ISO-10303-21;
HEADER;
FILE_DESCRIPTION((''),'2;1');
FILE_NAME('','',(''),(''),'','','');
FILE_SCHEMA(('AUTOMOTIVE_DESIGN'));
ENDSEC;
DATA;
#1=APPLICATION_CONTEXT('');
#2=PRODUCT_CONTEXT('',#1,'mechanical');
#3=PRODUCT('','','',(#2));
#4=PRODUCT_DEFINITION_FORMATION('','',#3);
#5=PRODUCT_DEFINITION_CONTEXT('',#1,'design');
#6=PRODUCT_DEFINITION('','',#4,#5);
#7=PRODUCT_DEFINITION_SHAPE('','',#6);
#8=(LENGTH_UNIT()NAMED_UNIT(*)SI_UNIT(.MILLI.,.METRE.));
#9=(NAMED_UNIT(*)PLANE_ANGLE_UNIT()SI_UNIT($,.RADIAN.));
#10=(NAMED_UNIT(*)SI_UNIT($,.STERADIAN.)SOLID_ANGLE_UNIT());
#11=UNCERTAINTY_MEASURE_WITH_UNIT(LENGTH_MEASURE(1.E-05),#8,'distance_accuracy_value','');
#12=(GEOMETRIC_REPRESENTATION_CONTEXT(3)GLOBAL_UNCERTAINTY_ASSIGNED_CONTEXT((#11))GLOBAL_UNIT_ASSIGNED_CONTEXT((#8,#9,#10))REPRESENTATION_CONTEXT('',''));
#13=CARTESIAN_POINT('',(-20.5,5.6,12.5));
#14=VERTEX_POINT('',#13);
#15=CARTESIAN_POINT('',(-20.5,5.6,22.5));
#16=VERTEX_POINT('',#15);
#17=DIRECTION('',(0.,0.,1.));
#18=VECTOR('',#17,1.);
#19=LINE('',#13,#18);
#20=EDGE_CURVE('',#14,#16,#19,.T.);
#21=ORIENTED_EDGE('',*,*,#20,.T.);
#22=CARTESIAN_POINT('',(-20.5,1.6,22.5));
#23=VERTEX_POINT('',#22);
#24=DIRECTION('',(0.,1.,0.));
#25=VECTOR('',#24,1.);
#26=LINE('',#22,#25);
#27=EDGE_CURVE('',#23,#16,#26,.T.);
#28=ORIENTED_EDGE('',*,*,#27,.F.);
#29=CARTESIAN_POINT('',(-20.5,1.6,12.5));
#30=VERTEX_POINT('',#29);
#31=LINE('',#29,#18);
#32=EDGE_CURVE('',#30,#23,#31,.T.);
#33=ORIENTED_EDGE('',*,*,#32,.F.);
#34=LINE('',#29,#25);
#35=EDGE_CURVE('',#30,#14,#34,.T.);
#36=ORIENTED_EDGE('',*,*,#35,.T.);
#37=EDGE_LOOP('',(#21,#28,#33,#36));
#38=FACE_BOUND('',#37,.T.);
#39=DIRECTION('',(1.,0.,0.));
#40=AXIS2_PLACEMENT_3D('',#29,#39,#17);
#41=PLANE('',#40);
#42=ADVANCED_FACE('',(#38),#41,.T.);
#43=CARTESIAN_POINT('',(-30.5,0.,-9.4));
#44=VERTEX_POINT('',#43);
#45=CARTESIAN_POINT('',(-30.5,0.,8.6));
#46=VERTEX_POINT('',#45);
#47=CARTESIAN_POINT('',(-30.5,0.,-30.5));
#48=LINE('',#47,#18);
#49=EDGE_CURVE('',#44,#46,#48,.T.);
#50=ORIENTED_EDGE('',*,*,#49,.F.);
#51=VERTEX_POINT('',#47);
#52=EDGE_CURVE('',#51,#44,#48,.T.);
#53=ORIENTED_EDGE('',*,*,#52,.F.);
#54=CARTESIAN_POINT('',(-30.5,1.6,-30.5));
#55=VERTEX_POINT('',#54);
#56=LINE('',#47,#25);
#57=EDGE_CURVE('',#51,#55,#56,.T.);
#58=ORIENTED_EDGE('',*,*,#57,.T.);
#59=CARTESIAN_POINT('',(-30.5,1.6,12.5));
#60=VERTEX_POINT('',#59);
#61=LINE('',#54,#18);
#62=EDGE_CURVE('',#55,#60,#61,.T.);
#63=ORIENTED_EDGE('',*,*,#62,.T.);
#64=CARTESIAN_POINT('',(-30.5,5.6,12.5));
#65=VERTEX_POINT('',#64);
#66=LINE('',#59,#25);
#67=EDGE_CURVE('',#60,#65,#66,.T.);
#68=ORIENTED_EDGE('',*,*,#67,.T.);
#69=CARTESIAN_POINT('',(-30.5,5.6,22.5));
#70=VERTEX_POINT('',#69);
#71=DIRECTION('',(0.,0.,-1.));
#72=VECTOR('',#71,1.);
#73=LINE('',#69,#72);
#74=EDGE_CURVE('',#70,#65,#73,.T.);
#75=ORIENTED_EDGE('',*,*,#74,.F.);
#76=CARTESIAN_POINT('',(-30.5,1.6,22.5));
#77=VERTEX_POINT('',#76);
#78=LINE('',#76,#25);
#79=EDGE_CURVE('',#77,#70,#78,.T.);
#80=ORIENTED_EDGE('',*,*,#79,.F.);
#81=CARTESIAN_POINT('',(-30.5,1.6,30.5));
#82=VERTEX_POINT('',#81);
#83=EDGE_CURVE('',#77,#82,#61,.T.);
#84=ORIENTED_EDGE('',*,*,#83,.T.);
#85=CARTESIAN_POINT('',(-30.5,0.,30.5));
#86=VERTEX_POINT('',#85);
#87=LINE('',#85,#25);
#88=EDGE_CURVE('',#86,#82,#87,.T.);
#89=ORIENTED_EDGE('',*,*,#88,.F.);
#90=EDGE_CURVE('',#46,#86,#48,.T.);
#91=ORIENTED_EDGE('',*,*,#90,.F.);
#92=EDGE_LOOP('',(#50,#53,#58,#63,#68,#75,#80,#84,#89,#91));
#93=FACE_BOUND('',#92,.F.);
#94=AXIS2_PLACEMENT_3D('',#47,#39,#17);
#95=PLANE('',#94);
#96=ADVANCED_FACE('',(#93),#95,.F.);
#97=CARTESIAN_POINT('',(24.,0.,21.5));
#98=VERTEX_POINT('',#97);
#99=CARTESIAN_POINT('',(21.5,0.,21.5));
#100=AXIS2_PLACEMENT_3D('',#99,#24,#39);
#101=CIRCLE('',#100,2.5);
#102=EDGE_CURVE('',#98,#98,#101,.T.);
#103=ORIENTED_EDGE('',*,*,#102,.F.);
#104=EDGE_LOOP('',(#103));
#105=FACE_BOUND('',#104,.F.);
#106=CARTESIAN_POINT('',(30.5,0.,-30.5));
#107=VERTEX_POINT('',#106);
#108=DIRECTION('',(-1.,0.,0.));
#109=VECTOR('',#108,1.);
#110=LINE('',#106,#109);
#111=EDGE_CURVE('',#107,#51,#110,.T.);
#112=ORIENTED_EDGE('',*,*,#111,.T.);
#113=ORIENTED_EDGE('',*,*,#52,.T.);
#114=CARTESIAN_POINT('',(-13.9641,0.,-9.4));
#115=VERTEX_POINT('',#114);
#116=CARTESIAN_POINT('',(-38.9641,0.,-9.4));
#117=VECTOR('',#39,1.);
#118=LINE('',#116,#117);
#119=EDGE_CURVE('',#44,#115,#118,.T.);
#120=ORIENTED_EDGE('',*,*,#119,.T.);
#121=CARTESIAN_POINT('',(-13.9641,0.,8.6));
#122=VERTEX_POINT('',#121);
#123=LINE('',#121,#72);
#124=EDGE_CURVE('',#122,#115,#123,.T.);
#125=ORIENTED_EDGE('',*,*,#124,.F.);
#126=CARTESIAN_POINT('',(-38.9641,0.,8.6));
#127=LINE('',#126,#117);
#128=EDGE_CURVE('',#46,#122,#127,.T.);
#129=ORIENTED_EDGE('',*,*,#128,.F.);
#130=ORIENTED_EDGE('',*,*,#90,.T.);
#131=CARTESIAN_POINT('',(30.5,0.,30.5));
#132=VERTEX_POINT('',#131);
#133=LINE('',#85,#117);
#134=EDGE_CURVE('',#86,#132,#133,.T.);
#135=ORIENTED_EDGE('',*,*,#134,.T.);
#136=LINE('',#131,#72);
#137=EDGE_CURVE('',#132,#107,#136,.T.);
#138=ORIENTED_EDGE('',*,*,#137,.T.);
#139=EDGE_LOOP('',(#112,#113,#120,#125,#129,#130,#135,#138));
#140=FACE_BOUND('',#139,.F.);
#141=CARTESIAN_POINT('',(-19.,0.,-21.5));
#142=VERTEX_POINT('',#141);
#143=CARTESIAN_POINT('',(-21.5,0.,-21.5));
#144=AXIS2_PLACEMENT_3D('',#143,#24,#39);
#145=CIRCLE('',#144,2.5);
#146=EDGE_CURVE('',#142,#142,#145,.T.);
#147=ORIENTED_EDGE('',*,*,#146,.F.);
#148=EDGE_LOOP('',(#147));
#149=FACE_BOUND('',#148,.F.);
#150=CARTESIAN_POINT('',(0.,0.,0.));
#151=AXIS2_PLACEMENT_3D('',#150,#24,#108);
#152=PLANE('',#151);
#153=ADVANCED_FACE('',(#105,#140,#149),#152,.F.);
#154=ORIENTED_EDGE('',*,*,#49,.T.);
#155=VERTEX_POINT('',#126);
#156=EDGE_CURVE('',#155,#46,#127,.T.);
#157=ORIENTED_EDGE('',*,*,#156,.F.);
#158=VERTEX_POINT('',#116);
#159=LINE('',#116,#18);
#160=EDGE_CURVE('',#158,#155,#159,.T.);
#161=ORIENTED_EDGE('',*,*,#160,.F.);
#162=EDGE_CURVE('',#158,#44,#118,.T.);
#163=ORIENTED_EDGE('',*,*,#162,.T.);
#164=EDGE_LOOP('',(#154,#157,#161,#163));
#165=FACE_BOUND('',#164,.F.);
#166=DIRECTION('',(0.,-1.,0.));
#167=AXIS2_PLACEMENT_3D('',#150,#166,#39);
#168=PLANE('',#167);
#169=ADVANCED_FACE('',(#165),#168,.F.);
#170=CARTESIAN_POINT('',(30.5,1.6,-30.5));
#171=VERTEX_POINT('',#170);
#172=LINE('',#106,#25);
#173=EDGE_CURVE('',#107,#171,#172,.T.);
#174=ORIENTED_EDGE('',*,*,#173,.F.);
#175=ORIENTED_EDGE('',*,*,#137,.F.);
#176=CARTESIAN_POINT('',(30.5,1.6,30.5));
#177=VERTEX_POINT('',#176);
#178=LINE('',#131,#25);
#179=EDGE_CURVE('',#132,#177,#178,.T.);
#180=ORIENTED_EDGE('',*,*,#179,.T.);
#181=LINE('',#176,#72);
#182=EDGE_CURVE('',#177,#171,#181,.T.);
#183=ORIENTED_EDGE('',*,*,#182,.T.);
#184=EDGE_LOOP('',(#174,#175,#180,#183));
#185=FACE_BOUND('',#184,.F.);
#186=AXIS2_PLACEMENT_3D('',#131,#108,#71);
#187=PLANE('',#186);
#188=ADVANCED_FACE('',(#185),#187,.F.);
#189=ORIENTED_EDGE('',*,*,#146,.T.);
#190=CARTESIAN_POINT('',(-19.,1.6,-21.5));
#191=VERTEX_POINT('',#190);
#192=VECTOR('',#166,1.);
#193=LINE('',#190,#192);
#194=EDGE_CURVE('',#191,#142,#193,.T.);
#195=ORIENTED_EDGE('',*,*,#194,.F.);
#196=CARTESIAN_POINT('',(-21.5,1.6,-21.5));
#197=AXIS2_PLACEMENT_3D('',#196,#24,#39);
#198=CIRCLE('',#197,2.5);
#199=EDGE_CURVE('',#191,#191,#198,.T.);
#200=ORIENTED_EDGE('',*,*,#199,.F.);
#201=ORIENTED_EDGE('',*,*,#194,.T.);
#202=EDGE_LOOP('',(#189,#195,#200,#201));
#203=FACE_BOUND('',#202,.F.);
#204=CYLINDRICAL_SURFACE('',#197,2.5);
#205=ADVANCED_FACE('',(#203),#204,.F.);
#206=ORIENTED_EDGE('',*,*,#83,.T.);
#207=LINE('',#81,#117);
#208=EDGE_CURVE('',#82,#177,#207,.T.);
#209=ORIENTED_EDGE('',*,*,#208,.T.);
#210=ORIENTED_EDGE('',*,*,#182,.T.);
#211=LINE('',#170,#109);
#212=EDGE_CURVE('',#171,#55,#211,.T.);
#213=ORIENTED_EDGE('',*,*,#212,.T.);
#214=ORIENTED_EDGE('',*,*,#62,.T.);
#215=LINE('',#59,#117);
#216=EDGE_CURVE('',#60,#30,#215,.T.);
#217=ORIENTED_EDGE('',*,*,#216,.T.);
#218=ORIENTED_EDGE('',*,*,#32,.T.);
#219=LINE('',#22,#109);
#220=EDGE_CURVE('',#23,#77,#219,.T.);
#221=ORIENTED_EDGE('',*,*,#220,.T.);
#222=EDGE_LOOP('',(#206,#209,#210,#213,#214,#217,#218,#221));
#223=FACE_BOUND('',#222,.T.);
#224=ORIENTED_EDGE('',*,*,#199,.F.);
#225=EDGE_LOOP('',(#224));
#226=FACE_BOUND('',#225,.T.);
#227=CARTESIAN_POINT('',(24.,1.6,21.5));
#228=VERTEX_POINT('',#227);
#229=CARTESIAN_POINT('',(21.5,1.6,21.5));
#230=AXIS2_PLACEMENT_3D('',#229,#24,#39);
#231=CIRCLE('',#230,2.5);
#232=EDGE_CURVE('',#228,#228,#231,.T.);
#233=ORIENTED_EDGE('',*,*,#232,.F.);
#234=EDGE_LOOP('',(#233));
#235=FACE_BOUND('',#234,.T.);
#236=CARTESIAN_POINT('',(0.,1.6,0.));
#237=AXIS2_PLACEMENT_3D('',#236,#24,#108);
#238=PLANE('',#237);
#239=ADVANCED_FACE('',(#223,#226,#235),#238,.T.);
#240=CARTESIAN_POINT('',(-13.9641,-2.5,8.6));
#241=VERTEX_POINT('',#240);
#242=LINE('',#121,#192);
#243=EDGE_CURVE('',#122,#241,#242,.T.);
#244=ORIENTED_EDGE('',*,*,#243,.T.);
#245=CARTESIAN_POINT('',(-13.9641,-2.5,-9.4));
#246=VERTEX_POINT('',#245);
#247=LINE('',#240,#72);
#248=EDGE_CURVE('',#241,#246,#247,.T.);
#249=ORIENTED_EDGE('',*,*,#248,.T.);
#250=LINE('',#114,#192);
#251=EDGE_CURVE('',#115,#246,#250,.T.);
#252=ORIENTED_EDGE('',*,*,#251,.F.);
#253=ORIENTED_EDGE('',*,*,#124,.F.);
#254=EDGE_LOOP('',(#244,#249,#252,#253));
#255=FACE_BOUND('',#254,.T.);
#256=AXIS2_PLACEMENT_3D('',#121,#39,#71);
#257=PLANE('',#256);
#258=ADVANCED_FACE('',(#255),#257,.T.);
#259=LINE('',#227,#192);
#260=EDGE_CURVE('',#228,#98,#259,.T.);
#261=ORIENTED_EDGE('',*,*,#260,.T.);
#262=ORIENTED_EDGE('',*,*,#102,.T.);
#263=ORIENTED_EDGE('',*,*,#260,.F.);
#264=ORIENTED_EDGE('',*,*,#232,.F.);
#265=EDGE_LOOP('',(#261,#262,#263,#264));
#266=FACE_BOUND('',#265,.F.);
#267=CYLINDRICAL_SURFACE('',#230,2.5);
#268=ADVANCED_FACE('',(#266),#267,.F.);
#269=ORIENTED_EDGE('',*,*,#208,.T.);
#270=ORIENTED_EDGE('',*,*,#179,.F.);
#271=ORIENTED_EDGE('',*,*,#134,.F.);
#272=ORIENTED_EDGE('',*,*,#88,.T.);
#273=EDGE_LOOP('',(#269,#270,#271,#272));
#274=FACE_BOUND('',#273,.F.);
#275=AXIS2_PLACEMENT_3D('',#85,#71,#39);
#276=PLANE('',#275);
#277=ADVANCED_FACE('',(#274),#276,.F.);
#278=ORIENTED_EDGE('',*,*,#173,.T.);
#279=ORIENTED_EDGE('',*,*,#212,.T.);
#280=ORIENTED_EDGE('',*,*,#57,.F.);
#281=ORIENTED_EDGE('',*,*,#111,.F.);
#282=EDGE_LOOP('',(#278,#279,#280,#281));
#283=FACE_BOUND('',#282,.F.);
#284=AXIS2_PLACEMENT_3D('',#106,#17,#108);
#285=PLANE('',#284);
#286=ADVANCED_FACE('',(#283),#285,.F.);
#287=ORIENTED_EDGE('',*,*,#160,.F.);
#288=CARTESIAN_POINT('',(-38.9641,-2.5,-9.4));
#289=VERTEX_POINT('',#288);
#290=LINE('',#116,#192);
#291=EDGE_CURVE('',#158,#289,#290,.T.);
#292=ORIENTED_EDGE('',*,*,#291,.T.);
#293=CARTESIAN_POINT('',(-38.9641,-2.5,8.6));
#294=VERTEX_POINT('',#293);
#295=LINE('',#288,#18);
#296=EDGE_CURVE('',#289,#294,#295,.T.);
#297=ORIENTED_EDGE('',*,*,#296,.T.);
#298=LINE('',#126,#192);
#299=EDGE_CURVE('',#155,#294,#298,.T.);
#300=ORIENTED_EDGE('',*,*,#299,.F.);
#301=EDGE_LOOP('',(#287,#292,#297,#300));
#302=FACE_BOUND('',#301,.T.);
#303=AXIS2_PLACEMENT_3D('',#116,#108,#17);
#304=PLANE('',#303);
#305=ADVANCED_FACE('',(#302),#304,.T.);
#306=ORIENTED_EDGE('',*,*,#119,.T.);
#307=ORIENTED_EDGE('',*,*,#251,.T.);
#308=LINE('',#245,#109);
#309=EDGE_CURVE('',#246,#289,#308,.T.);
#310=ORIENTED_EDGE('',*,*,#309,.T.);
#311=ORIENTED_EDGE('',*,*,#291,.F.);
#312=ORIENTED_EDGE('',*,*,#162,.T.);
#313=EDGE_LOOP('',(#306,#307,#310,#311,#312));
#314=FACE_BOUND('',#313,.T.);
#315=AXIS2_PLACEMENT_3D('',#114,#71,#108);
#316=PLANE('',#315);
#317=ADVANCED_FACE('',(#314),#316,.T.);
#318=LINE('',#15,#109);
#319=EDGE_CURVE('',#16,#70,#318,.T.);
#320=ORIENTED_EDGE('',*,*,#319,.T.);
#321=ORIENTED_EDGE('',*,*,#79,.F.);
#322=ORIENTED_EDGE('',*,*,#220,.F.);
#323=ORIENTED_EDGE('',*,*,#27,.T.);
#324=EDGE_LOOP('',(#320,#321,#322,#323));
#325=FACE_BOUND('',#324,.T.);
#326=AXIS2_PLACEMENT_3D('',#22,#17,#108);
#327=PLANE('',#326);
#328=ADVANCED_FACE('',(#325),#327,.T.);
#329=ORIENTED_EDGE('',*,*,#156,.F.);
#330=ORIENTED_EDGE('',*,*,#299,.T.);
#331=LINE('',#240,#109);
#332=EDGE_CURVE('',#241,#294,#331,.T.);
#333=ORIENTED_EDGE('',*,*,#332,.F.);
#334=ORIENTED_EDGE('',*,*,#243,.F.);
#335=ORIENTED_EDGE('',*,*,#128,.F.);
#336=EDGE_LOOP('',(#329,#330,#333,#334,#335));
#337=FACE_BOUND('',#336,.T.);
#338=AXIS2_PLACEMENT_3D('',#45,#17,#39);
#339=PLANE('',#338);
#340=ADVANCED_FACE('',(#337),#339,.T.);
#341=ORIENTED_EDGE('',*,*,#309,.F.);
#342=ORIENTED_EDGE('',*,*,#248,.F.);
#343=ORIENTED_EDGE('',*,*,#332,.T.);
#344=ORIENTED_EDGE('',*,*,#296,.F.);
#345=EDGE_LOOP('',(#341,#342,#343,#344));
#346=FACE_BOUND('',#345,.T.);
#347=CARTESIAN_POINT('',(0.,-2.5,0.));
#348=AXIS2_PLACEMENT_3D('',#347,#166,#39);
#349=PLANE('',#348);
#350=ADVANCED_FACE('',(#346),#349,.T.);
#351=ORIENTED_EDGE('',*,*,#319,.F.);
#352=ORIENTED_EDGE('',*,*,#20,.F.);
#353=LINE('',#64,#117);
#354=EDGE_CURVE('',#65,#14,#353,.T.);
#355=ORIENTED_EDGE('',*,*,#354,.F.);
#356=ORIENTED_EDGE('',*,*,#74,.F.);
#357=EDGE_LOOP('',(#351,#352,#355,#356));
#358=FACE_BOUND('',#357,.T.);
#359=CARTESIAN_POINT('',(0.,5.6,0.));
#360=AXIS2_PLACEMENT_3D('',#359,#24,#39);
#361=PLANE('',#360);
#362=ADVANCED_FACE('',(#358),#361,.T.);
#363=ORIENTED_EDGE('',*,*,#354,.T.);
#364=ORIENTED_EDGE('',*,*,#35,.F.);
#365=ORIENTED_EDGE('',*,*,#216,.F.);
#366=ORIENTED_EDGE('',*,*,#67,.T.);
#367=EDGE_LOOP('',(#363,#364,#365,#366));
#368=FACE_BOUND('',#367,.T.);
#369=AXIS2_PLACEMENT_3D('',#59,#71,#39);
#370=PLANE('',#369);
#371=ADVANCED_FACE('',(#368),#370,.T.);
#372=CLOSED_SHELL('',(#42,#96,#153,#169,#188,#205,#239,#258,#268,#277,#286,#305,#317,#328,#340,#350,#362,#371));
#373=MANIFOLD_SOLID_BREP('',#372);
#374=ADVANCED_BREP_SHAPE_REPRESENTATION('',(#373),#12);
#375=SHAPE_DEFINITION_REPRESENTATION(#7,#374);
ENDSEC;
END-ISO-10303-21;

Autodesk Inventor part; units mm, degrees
ref_plane "YZ Plane" through (0, 0, 0) normal (1, 0, 0) x (0, 1, 0)
ref_plane "XZ Plane" through (0, 0, 0) normal (0, 1, 0) x (-1, 0, 0)
ref_plane "XY Plane" through (0, 0, 0) normal (0, 0, 1) x (1, 0, 0)
sketch "Szkic1" plane through (0, 0, 0) normal (0, 1, 0) x (-1, 0, 0)
  line L0 (30.5, 30.5) -> (-30.5, 30.5)
  line L1 (-30.5, 30.5) -> (-30.5, -30.5)
  line L2 (-30.5, -30.5) -> (30.5, -30.5)
  line L3 (30.5, -30.5) -> (30.5, 30.5)
  point P0 (0, 0)
  point P1 (30.5, 0)
  point P2 (0, -30.5)
  dimension "d0" = 61
  dimension "d1" = 61
extrude "Wyciągnięcie proste1" add sketch "Szkic1" along normal blind 1.6
sketch "Szkic2" plane through (0, 1.6, 0) normal (0, 1, 0) x (1, 0, 0)
  circle A0 centre (21.5, -21.5) radius 2.5
  circle A1 centre (-21.5, 21.5) radius 2.5
  line L0 (-30.5, -30.5) -> (30.5, -30.5) projected
  line L1 (-30.5, 30.5) -> (-30.5, -30.5) projected
  line L2 (30.5, 30.5) -> (-30.5, 30.5) projected
  line L3 (30.5, -30.5) -> (30.5, 30.5) projected
  point P0 (0, 0)
  dimension "d4" = 5
  dimension "d5" = 5
  dimension "d6" = 9
  dimension "d8" = 9
  dimension "d12" = 9
  dimension "d13" = 9
extrude "Wyciągnięcie proste2" cut sketch "Szkic2" against normal up to surface (1.6 mm away) contours A0 | A1
sketch "Szkic3" plane through (0, 0, 0) normal (0, -1, 0) x (1, 0, 0)
  line L0 (-13.9641, -9.4) -> (-38.9641, -9.4)
  line L1 (-38.9641, -9.4) -> (-38.9641, 8.6)
  line L2 (-38.9641, 8.6) -> (-13.9641, 8.6)
  line L3 (-13.9641, 8.6) -> (-13.9641, -9.4)
  line L4 (-30.5, 30.5) -> (30.5, 30.5) projected
  line L5 (-30.5, -30.5) -> (-30.5, 30.5) projected
  point P0 (0, 0)
  dimension "d14" = 18
  dimension "d15" = 25
  dimension "d16" = 21.9
  dimension "d17" = 8.4641
extrude "Wyciągnięcie proste3" add sketch "Szkic3" along normal blind 2.5
sketch "Szkic4" plane through (0, 1.6, 0) normal (0, 1, 0) x (1, 0, 0)
  line L0 (-30.5, -12.5) -> (-20.5, -12.5)
  line L1 (-20.5, -12.5) -> (-20.5, -22.5)
  line L2 (-20.5, -22.5) -> (-30.5, -22.5)
  line L3 (-30.5, -22.5) -> (-30.5, -12.5)
  line L4 (-30.5, -30.5) -> (30.5, -30.5) projected
  line L5 (-30.5, 30.5) -> (-30.5, -30.5) projected
  point P0 (0, 0)
  dimension "d20" = 10
  dimension "d21" = 10
  dimension "d22" = 8
extrude "Wyciągnięcie proste4" add sketch "Szkic4" along normal blind 4
properties part number "PCB"
